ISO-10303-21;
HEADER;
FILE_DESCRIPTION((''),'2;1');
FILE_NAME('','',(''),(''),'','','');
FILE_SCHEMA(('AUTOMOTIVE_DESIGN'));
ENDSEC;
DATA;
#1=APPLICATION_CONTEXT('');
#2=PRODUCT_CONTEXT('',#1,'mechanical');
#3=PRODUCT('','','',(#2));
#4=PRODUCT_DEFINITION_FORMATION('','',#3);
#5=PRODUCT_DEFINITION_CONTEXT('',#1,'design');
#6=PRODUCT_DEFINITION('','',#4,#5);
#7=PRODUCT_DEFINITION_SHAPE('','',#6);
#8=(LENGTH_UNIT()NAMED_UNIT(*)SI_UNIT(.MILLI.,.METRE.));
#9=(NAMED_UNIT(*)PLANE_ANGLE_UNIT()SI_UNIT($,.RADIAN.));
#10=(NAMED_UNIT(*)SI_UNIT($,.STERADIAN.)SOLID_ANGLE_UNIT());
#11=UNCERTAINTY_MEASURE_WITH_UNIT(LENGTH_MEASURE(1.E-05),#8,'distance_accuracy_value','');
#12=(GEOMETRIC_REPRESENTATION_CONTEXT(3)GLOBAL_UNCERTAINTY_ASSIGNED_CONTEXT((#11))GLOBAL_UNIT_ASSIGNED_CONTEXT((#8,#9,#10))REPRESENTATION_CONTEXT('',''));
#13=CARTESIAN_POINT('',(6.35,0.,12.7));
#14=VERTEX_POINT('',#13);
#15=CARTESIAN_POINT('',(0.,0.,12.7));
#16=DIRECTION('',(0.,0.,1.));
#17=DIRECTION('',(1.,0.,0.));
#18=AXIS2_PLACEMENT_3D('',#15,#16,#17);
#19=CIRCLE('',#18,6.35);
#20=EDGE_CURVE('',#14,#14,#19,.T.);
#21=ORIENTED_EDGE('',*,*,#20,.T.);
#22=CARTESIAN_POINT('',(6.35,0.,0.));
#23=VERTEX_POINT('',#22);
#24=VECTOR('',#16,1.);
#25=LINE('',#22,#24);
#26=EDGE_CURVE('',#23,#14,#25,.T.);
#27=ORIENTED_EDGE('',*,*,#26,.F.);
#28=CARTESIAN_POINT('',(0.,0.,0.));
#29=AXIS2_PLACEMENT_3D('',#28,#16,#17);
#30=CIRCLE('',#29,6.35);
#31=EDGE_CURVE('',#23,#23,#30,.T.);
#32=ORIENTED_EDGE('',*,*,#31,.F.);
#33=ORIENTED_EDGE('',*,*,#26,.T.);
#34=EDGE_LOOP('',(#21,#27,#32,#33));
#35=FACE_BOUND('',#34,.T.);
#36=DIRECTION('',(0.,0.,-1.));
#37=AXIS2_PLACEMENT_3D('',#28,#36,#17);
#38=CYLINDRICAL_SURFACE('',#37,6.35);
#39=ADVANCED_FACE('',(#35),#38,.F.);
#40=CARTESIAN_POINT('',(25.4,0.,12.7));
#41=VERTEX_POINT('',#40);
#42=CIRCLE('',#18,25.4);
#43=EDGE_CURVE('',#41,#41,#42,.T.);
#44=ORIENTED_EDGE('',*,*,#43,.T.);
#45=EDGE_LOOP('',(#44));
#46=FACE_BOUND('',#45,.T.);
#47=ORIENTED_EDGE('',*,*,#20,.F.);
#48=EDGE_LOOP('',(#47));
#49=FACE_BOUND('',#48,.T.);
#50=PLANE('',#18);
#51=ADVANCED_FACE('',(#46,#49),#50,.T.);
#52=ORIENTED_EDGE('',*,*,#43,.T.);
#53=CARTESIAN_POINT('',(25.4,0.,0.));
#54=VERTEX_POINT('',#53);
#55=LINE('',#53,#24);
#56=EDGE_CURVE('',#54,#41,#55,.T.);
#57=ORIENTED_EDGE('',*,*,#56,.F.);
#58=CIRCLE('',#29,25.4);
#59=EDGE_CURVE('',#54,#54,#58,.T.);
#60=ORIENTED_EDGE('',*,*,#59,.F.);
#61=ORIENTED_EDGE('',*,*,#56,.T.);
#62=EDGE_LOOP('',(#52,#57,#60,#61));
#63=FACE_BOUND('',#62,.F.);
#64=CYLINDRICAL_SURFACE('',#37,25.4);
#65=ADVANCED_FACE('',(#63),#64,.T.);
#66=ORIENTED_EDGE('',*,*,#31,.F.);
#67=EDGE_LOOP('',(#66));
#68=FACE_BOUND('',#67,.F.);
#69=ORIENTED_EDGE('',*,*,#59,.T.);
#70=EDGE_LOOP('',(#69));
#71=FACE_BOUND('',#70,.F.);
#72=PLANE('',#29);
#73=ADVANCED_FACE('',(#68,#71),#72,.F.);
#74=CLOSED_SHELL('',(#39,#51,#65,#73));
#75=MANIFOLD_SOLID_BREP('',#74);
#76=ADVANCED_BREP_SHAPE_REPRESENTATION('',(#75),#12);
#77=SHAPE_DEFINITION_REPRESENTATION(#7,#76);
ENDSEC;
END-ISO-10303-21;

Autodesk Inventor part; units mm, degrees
ref_plane "YZ Plane" through (0, 0, 0) normal (1, 0, 0) x (0, 1, 0)
ref_plane "XZ Plane" through (0, 0, 0) normal (0, 1, 0) x (-1, 0, 0)
ref_plane "XY Plane" through (0, 0, 0) normal (0, 0, 1) x (1, 0, 0)
sketch "Sketch1" plane through (0, 0, 0) normal (0, 0, 1) x (1, 0, 0)
  circle A0 centre (0, 0) radius 25.4
  circle A1 centre (0, 0) radius 6.35
  dimension "d0" = 50.8
  dimension "d1" = 12.7
extrude "Extrusion1" add sketch "Sketch1" along normal blind 12.7
properties part number "Wheel - Back" material "Silicon Nitride"
